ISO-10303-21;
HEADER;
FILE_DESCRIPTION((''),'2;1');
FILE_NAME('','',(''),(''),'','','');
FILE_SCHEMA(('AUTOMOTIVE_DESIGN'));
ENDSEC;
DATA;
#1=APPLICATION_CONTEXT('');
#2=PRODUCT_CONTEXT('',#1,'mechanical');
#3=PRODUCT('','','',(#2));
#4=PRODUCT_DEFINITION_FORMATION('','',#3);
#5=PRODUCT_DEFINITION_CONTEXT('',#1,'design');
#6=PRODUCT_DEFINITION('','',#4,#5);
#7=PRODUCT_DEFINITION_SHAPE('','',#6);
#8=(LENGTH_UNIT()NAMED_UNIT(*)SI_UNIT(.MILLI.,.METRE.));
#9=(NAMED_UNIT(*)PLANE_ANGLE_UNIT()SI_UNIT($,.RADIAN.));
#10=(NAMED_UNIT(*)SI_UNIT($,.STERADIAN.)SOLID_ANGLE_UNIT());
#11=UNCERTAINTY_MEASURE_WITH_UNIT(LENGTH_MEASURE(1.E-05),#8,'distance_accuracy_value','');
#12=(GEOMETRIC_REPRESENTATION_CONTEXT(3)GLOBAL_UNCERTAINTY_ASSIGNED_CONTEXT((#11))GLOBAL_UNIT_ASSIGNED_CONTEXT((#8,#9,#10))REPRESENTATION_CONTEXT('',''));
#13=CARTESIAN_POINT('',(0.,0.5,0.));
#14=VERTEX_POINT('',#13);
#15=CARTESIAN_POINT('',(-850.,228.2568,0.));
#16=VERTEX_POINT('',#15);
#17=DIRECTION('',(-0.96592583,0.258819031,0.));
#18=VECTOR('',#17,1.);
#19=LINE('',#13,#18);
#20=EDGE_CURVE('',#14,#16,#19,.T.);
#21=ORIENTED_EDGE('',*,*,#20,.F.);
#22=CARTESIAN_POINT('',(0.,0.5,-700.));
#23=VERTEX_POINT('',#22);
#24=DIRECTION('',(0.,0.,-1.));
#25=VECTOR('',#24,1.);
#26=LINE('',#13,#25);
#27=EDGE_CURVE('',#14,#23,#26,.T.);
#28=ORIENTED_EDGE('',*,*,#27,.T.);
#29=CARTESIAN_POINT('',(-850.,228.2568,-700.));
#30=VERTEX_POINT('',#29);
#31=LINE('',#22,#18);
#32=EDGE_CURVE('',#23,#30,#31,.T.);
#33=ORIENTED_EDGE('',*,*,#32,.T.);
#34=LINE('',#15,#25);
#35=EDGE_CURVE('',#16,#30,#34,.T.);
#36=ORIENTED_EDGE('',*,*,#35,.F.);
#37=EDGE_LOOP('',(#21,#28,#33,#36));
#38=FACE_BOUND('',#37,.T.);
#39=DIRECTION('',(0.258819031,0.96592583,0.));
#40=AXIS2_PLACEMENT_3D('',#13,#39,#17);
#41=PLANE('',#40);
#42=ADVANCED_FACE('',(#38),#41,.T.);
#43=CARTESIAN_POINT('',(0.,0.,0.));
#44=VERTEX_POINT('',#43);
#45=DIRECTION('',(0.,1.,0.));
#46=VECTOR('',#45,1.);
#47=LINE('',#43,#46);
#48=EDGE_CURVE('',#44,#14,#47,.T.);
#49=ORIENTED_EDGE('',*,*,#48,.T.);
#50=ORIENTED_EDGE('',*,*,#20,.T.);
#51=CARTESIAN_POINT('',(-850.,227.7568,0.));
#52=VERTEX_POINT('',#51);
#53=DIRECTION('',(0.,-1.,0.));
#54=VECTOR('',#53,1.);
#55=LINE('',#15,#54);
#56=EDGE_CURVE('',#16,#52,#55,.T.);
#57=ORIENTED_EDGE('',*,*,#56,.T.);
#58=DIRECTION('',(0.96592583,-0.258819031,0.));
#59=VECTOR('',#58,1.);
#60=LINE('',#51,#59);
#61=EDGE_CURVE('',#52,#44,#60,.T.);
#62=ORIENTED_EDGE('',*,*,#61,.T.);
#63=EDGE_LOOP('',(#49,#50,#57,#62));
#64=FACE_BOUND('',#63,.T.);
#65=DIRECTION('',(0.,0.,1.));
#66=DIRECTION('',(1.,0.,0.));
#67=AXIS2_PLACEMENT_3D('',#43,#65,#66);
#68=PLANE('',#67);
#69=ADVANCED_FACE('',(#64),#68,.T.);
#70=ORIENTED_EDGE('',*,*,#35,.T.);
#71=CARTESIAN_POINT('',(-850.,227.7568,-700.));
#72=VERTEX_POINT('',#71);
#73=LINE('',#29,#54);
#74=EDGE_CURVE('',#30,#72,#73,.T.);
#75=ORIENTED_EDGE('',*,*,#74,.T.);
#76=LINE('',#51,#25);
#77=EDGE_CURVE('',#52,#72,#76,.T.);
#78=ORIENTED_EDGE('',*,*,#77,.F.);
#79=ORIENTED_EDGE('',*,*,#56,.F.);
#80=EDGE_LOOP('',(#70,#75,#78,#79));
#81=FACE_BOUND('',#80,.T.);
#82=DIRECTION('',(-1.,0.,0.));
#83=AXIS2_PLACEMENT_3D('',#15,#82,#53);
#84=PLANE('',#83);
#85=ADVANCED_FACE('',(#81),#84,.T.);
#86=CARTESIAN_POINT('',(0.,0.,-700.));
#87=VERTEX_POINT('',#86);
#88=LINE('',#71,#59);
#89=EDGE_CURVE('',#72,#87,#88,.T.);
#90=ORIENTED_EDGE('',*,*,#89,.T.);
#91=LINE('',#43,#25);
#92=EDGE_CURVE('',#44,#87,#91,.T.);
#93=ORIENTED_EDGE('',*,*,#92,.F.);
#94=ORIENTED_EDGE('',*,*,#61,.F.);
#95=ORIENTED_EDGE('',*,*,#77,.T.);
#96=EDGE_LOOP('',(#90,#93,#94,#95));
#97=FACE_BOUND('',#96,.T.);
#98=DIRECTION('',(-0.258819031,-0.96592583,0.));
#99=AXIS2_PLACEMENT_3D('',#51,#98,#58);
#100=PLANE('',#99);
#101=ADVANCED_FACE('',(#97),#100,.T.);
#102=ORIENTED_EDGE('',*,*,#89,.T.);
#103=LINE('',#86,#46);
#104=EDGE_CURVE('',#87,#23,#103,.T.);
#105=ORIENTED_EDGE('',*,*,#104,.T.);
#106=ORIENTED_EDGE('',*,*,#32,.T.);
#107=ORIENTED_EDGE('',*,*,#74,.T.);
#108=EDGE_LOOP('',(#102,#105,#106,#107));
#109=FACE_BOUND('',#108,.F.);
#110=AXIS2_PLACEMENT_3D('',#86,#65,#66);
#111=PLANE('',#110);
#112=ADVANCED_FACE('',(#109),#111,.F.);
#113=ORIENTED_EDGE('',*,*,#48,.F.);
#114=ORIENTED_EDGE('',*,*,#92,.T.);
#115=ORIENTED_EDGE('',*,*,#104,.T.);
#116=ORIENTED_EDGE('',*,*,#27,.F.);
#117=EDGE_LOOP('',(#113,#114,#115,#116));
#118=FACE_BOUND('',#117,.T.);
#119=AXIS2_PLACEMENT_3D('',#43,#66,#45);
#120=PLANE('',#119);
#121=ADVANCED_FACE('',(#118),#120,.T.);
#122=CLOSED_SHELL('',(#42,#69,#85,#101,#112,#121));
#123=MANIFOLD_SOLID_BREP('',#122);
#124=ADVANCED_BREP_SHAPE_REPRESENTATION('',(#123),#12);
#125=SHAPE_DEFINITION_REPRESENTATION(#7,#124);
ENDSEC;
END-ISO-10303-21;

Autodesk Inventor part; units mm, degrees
ref_plane "YZ Plane" through (0, 0, 0) normal (1, 0, 0) x (0, 1, 0)
ref_plane "XZ Plane" through (0, 0, 0) normal (0, 1, 0) x (-1, 0, 0)
ref_plane "XY Plane" through (0, 0, 0) normal (0, 0, 1) x (1, 0, 0)
sketch "스케치1" plane through (0, 0, 0) normal (0, 0, 1) x (1, 0, 0)
  line L0 (0, 0) -> (0, 0.5)
  line L1 (0, 0.5) -> (-850, 228.2568)
  line L2 (-850, 228.2568) -> (-850, 227.7568)
  line L3 (-850, 227.7568) -> (0, 0)
  line L4 (-16.0542, 0) -> (7.8614, 0)
  point P0 (0, 0.25)
  dimension "d0" = 15
  dimension "d1" = 0.5
  dimension "d2" = 850
extrude "돌출1" add sketch "스케치1" against normal blind 700
properties part number "부품3" material "물"
